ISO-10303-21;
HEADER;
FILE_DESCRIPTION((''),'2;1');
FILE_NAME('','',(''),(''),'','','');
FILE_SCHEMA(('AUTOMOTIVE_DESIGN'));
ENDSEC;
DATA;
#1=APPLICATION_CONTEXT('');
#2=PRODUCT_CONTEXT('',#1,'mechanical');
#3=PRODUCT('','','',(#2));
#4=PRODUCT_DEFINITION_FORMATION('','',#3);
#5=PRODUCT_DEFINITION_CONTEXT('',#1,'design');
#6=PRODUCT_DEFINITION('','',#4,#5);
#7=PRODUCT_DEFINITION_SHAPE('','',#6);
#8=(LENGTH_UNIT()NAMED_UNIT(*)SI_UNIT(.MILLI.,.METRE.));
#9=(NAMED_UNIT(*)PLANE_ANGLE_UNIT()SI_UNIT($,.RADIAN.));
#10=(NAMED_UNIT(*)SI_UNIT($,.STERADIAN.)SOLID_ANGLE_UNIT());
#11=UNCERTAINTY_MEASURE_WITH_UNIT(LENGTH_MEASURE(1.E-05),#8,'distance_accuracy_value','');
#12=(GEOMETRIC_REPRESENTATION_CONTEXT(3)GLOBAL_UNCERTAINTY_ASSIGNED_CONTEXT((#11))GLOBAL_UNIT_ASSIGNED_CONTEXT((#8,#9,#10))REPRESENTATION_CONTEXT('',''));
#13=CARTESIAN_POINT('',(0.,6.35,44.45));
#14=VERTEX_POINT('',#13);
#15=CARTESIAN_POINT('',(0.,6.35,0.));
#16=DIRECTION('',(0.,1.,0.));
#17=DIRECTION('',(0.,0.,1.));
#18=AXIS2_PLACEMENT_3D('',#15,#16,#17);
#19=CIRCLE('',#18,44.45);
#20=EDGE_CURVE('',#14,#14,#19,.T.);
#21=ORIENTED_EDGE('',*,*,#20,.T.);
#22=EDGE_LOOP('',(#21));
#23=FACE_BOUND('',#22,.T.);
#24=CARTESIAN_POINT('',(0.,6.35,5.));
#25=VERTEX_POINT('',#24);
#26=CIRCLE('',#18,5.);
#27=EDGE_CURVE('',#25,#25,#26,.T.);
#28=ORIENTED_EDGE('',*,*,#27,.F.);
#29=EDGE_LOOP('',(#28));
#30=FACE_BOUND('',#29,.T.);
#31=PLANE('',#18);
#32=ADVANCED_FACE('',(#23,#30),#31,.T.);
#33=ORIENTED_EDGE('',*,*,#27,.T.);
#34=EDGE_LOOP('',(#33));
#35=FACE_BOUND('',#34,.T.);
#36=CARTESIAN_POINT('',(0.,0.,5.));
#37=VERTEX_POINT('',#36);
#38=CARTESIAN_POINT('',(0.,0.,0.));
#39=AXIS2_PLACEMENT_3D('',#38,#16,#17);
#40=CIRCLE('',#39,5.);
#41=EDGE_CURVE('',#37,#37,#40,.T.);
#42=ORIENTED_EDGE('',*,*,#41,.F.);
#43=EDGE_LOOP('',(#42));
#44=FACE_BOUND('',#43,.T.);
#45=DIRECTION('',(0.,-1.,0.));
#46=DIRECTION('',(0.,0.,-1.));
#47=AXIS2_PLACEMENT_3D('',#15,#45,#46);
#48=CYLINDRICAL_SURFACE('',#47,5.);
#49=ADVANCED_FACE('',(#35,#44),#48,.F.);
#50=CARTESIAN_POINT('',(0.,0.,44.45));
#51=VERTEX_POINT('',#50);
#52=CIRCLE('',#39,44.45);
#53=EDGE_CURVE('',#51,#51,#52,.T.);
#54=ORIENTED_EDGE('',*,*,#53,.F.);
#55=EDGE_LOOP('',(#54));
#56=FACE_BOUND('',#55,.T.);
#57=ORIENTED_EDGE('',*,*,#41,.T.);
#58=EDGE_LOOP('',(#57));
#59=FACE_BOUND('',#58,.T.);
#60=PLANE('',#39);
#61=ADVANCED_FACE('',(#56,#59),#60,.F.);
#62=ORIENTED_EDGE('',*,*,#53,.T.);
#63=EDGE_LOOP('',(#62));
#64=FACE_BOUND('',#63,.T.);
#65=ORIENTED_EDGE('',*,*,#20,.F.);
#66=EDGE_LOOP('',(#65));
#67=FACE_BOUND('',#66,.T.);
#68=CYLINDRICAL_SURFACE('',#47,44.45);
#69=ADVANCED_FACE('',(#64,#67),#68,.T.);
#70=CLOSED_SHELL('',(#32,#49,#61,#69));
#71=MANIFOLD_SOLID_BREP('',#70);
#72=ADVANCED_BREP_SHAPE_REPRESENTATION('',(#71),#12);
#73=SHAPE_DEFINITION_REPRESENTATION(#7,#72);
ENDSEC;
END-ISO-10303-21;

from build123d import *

# Parameters (mm, degrees)
SKETCH1_R           = 44.45
SKETCH1_R_2         = 5
BOSS_EXTRUDE1_DEPTH = 6.35


with BuildPart() as part:
    # Sketch1 → Boss-Extrude1 (new body)
    with BuildSketch(Plane(origin=(0, 0, 0), x_dir=(1, 0, 0), z_dir=(0, 1, 0))):
        Circle(SKETCH1_R)
        Circle(SKETCH1_R_2, mode=Mode.SUBTRACT)
    extrude(amount=BOSS_EXTRUDE1_DEPTH)


solid = part.part
